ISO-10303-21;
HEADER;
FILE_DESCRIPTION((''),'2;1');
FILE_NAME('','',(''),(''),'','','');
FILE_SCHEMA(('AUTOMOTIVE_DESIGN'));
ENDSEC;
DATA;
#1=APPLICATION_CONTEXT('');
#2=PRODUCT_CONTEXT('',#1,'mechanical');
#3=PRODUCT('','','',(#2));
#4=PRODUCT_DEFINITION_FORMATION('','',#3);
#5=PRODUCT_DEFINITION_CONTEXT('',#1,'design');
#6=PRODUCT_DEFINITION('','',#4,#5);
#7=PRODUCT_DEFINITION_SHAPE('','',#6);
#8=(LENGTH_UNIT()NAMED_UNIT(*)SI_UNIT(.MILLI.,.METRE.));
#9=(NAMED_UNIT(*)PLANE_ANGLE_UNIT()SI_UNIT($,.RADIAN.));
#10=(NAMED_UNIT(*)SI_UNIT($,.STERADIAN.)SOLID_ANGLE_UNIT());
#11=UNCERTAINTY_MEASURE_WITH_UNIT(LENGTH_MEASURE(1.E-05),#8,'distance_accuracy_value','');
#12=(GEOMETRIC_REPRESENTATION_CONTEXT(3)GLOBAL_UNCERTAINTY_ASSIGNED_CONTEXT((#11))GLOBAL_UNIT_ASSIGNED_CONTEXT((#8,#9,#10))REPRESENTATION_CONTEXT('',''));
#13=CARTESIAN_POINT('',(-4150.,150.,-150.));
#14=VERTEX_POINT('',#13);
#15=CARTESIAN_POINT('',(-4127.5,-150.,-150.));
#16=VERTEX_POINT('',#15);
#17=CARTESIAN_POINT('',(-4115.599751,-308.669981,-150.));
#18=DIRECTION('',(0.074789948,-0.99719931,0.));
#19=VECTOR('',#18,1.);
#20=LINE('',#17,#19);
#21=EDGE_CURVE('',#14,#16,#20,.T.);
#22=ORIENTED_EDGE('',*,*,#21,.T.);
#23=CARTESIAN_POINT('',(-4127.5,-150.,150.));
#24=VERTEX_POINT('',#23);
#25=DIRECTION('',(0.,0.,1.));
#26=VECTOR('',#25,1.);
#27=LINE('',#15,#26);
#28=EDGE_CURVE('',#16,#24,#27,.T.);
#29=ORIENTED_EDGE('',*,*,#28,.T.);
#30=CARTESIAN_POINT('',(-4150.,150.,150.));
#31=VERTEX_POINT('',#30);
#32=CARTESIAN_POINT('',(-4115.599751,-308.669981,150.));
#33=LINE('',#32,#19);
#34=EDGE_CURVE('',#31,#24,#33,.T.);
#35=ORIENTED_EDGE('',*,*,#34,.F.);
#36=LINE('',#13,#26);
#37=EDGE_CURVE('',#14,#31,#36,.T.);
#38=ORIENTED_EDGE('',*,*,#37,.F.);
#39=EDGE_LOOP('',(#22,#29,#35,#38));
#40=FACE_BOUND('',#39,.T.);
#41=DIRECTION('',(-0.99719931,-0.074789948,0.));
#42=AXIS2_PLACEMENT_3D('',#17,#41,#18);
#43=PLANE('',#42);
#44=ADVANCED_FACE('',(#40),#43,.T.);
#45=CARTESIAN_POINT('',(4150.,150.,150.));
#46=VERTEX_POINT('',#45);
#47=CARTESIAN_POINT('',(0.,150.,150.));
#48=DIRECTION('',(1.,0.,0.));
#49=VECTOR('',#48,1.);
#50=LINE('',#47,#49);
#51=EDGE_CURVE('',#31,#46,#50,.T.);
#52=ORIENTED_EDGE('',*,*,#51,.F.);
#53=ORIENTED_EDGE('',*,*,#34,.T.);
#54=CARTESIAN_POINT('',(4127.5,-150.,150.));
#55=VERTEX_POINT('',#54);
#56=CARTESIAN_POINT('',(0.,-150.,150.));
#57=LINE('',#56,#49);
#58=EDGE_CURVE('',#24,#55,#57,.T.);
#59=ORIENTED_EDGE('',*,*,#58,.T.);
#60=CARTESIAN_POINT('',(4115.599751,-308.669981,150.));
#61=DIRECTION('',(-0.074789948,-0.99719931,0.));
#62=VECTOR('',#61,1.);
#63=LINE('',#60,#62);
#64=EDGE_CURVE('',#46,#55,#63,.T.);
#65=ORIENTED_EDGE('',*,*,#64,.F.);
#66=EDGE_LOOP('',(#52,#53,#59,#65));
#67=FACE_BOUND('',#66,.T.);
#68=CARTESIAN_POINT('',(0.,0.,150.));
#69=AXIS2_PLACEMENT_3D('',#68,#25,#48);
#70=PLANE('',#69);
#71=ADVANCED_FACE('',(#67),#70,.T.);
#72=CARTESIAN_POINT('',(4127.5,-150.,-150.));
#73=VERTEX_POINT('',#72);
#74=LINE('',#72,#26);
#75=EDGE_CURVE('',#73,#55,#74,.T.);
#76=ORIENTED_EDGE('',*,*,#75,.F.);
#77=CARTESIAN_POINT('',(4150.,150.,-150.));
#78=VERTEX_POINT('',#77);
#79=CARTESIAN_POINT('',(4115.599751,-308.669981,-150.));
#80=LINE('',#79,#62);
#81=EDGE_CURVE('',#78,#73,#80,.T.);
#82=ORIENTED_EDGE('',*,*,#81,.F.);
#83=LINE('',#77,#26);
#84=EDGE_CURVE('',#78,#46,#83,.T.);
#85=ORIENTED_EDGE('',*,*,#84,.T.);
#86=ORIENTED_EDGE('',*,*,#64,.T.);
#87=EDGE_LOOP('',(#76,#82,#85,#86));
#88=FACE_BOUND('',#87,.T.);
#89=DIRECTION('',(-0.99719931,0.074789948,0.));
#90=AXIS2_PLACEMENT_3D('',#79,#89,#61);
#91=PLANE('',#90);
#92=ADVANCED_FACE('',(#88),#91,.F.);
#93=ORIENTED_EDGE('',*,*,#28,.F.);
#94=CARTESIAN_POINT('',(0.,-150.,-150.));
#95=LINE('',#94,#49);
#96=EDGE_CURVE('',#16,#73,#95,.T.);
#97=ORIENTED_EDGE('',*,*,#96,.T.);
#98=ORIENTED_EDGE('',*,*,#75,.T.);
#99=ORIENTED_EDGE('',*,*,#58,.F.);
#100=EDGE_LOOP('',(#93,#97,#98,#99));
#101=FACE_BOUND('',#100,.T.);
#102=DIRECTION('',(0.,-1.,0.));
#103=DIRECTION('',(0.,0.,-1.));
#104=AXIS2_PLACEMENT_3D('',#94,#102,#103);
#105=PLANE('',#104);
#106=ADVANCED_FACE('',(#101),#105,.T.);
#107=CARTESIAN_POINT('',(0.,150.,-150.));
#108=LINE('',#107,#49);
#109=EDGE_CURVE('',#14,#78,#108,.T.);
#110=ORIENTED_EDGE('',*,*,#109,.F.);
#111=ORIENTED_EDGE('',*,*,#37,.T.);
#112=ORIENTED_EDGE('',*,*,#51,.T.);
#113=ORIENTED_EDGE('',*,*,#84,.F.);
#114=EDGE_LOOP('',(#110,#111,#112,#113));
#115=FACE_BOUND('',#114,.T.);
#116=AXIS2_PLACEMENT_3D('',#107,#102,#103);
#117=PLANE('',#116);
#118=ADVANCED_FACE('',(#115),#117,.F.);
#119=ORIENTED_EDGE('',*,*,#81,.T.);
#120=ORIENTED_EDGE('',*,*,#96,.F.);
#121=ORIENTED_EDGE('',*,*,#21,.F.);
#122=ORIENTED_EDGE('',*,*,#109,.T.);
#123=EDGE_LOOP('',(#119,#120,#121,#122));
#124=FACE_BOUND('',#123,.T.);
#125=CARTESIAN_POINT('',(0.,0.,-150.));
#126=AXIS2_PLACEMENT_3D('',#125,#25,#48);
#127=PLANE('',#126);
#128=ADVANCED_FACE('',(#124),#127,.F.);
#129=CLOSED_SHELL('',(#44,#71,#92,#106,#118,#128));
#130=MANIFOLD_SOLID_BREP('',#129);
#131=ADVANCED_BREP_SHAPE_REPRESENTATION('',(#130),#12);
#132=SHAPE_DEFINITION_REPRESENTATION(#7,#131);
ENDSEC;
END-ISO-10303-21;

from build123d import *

# Parameters (mm, degrees)
BOSS_EXTRUDE1_DEPTH      = 150
BOSS_EXTRUDE1_DEPTH_BACK = 150


with BuildPart() as part:
    # Sketch1 → Boss-Extrude1 (new, two sides: drawn at the far end of the back side and taken through both)
    with BuildSketch(Plane.XY.offset(-BOSS_EXTRUDE1_DEPTH_BACK)):
        Polygon((-4150, 150), (-4127.5, -150), (4127.5, -150), (4150, 150), align=None)
    extrude(amount=BOSS_EXTRUDE1_DEPTH + BOSS_EXTRUDE1_DEPTH_BACK)


solid = part.part
